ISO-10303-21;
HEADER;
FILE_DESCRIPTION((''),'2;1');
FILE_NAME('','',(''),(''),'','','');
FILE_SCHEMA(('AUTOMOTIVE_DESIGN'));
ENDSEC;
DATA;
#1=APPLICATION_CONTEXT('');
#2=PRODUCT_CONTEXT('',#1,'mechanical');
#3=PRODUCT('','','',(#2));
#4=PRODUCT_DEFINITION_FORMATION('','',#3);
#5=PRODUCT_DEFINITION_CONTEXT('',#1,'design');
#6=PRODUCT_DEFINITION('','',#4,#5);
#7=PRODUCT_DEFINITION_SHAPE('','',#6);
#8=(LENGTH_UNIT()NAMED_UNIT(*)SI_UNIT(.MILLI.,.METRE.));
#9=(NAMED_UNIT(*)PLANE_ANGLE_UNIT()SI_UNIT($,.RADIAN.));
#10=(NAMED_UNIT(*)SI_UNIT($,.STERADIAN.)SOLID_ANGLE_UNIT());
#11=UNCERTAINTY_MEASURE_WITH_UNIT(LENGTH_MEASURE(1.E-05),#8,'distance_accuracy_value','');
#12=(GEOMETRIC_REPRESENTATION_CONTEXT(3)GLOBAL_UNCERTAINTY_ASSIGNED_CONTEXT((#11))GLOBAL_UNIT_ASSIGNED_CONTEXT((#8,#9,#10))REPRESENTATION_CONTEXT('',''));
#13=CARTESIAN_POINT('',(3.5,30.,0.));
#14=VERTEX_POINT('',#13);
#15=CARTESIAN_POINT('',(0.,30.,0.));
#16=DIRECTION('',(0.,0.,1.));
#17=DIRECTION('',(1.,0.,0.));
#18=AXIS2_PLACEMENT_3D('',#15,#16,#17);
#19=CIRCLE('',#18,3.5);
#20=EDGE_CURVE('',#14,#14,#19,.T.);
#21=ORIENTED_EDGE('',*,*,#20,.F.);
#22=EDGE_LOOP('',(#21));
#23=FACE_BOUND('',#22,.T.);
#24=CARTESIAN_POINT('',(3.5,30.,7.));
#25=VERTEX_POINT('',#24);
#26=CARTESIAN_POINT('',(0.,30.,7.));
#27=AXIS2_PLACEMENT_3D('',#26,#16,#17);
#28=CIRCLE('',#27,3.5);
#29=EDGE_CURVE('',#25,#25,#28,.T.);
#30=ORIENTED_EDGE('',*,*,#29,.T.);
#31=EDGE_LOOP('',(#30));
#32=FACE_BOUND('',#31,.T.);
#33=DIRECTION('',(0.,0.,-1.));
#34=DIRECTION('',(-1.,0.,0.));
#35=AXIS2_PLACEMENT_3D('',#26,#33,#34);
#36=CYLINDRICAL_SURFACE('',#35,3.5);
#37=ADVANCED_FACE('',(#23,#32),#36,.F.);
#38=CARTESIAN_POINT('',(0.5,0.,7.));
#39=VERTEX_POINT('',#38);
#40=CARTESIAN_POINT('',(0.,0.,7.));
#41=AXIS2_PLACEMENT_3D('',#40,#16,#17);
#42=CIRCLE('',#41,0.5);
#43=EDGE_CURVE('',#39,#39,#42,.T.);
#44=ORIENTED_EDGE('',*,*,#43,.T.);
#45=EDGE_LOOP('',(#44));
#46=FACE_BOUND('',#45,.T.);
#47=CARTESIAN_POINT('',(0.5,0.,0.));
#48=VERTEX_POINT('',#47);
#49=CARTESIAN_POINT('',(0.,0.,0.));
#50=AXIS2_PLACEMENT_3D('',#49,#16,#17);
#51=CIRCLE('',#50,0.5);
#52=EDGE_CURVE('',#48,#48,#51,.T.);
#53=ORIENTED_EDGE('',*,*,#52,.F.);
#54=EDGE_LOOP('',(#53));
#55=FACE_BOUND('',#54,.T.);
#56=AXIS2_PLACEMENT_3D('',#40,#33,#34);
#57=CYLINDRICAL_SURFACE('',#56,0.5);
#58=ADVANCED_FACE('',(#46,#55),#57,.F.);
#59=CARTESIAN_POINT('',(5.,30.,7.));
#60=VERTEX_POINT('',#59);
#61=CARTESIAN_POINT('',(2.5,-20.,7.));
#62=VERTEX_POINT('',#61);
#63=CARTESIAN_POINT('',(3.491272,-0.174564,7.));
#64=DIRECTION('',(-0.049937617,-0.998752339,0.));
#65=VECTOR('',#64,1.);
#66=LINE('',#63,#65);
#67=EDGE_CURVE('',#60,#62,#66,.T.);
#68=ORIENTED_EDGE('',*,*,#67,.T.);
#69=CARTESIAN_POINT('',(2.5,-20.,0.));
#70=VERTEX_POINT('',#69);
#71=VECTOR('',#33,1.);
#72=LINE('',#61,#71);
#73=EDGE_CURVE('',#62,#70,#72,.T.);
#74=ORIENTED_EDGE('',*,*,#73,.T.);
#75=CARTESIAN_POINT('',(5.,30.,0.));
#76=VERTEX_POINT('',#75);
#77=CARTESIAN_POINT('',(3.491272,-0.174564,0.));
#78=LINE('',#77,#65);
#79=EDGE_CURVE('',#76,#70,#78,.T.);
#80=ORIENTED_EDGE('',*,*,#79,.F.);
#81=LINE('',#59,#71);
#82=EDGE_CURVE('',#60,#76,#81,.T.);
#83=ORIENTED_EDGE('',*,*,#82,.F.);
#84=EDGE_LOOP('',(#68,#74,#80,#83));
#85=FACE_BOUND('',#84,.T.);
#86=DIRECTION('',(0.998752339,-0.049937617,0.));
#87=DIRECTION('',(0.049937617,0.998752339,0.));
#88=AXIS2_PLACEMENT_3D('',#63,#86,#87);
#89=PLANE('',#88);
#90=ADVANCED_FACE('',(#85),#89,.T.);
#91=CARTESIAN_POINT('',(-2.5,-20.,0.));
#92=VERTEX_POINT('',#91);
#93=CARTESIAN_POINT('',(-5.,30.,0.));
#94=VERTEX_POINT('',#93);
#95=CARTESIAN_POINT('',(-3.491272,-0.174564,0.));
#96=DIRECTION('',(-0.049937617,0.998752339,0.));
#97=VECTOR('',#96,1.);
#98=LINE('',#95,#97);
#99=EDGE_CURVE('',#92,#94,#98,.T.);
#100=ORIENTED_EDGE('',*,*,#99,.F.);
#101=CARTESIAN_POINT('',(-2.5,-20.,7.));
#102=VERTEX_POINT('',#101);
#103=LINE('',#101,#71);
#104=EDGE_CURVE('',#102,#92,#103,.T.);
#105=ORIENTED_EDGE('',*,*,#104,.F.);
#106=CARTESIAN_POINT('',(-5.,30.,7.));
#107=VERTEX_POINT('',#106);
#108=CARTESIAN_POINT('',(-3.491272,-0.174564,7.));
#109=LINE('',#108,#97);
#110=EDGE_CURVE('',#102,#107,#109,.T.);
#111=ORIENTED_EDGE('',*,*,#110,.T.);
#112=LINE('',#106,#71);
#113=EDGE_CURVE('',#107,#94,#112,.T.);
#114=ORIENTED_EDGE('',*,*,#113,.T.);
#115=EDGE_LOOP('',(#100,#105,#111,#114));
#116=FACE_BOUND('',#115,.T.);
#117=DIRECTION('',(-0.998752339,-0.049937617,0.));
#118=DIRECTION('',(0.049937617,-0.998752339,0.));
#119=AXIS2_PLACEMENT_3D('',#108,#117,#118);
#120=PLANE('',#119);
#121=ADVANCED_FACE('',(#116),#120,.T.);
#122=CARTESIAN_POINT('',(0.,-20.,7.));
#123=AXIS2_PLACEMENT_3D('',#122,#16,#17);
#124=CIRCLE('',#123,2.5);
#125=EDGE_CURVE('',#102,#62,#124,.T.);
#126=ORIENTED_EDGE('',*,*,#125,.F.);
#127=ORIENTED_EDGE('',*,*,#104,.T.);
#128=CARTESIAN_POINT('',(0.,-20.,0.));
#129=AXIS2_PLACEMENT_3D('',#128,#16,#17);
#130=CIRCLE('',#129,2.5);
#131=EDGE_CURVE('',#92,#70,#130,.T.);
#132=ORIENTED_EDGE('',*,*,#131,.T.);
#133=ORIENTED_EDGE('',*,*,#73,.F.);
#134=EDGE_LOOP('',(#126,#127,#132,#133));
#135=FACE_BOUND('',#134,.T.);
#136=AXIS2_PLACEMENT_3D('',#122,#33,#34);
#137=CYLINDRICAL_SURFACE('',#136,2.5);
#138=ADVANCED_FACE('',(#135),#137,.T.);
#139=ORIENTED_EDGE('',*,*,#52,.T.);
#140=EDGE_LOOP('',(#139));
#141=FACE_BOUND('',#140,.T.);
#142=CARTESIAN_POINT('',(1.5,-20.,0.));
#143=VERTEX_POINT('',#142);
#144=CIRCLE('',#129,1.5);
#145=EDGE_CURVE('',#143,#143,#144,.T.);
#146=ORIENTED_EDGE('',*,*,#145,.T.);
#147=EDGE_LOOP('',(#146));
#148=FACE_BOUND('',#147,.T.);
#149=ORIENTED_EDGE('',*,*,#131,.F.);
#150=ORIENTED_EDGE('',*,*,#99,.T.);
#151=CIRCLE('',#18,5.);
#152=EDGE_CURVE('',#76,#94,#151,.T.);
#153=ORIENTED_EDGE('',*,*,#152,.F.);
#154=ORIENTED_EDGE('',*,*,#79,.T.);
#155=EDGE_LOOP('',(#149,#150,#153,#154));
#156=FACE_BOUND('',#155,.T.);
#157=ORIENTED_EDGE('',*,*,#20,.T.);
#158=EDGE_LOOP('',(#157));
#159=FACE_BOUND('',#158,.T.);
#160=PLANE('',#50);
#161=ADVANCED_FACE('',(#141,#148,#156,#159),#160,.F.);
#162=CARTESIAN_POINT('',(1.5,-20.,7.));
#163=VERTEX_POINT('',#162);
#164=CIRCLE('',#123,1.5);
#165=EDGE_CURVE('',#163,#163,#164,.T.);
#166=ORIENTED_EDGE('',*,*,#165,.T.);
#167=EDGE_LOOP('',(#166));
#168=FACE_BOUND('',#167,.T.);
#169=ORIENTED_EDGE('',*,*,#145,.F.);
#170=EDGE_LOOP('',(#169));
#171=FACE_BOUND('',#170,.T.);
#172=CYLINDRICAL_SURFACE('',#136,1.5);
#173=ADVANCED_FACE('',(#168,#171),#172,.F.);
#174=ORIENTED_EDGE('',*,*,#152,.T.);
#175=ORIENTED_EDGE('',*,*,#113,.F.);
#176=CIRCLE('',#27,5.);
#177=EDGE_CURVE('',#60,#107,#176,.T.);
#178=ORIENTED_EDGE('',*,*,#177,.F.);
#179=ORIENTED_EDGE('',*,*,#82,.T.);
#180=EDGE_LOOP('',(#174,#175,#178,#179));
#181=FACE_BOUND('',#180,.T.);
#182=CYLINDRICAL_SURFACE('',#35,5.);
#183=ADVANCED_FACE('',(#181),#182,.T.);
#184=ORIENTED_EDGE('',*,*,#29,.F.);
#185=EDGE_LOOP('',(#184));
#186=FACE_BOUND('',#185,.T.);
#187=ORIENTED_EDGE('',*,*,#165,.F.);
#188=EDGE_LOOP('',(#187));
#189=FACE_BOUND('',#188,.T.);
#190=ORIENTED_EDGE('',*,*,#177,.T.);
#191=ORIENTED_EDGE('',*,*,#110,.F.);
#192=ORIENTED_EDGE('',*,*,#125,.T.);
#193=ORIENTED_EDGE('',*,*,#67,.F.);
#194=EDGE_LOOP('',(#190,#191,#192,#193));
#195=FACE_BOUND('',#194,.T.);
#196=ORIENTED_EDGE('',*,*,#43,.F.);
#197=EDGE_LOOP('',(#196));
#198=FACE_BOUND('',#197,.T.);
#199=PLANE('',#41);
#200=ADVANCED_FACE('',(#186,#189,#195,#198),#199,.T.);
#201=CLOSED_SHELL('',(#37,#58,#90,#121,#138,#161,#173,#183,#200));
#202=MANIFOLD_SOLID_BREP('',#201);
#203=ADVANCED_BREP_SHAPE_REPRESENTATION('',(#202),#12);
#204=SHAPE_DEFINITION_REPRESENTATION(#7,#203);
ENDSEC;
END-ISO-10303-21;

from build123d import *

# Parameters (mm, degrees)
SKETCH1_R           = 1.5
SKETCH1_R_2         = 0.5
SKETCH1_R_3         = 3.5
BOSS_EXTRUDE1_DEPTH = 7
SKETCH1_4_R         = 0.5
BOSS_EXTRUDE2_DEPTH = 5
SKETCH1_5_R         = 0.5
CUT_EXTRUDE3_DEPTH  = 17


with BuildPart() as part:
    # Sketch1 → Boss-Extrude1 (new body)
    with BuildSketch(Plane.XY):
        with BuildLine():
            Line((4.975062344, 29.501246883), (5, 30))
            ThreePointArc((5, 30), (0, 35), (-5, 30))
            Line((-5, 30), (-4.975062344, 29.501246883))
            Line((-4.975062344, 29.501246883), (-2.5, -20))
            ThreePointArc((-2.5, -20), (0, -22.5), (2.5, -20))
            Line((2.5, -20), (4.975062344, 29.501246883))
        make_face()
        with Locations((0, -20)):
            Circle(SKETCH1_R, mode=Mode.SUBTRACT)
        Circle(SKETCH1_R_2, mode=Mode.SUBTRACT)
        with Locations((0, 30)):
            Circle(SKETCH1_R_3, mode=Mode.SUBTRACT)
    extrude(amount=BOSS_EXTRUDE1_DEPTH)

    # Sketch1<4> → Boss-Extrude2 (add)
    with BuildSketch(Plane.XY):
        Circle(SKETCH1_4_R)
    extrude(amount=BOSS_EXTRUDE2_DEPTH)

    # Sketch1<5> → Cut-Extrude3 (cut)
    with BuildSketch(Plane.XY):
        Circle(SKETCH1_5_R)
    extrude(amount=CUT_EXTRUDE3_DEPTH, mode=Mode.SUBTRACT)


solid = part.part
